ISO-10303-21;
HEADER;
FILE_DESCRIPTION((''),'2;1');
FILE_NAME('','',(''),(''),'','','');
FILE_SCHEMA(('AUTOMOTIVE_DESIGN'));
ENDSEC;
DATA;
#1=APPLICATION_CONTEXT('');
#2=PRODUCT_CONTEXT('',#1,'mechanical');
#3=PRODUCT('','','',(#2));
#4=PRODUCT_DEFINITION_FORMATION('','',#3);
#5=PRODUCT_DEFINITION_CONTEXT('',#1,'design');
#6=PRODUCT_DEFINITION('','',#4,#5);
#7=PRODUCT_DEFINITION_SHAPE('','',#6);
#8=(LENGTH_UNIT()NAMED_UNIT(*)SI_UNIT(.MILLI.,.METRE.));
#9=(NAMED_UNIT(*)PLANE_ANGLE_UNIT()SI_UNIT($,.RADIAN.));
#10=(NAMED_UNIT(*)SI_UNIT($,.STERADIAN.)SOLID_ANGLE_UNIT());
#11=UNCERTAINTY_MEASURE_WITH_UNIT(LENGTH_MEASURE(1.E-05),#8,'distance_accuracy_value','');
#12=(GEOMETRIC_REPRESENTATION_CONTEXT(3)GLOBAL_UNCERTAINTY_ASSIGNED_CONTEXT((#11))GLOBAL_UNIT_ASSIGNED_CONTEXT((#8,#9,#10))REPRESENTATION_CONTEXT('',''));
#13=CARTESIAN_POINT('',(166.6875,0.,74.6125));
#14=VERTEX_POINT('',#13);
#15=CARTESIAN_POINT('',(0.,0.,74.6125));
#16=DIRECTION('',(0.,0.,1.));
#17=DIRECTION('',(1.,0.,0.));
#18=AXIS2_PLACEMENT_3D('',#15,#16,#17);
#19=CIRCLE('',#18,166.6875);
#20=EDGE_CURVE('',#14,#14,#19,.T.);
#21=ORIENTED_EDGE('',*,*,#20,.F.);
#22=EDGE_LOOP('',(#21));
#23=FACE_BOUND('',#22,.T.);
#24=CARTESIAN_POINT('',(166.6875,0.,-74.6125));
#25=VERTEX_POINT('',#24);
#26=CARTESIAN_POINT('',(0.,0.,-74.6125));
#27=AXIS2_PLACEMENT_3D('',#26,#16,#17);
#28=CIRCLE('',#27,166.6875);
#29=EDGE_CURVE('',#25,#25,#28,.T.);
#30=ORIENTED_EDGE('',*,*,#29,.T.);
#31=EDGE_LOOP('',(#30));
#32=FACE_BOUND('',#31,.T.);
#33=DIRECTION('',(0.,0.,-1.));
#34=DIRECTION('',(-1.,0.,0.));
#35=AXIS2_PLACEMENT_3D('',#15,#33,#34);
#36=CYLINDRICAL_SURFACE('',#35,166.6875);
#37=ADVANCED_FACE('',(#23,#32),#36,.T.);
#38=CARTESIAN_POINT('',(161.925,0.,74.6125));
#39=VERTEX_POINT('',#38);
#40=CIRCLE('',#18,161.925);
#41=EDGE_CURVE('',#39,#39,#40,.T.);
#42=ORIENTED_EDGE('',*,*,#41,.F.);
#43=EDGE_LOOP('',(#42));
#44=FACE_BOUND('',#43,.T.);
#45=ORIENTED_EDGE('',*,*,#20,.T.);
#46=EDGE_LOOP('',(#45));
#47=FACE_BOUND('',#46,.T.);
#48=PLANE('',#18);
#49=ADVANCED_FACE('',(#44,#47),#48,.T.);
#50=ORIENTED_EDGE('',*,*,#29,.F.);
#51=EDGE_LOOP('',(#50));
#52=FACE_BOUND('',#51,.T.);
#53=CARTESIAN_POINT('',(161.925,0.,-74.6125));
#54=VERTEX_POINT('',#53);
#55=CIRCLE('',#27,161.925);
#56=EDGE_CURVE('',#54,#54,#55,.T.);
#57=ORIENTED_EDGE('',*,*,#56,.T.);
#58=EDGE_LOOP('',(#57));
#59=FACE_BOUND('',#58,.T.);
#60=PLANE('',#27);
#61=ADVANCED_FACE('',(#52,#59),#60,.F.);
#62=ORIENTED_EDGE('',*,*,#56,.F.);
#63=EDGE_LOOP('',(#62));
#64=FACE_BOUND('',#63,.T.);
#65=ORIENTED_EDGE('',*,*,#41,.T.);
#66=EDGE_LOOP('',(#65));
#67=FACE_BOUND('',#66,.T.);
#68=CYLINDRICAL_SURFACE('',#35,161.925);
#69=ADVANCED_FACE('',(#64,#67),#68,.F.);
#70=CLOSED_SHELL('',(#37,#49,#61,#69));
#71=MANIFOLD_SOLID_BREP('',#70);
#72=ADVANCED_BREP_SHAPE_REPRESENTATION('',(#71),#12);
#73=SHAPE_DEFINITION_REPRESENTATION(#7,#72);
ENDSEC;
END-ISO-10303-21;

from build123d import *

# Parameters (mm, degrees)
SKETCH1_R           = 166.6875
SKETCH1_R_2         = 161.925
BOSS_EXTRUDE1_DEPTH = 74.6125


with BuildPart() as part:
    # Sketch1 → Boss-Extrude1 (new body, symmetric)
    with BuildSketch(Plane.XY):
        Circle(SKETCH1_R)
        Circle(SKETCH1_R_2, mode=Mode.SUBTRACT)
    extrude(amount=BOSS_EXTRUDE1_DEPTH, both=True)


solid = part.part
